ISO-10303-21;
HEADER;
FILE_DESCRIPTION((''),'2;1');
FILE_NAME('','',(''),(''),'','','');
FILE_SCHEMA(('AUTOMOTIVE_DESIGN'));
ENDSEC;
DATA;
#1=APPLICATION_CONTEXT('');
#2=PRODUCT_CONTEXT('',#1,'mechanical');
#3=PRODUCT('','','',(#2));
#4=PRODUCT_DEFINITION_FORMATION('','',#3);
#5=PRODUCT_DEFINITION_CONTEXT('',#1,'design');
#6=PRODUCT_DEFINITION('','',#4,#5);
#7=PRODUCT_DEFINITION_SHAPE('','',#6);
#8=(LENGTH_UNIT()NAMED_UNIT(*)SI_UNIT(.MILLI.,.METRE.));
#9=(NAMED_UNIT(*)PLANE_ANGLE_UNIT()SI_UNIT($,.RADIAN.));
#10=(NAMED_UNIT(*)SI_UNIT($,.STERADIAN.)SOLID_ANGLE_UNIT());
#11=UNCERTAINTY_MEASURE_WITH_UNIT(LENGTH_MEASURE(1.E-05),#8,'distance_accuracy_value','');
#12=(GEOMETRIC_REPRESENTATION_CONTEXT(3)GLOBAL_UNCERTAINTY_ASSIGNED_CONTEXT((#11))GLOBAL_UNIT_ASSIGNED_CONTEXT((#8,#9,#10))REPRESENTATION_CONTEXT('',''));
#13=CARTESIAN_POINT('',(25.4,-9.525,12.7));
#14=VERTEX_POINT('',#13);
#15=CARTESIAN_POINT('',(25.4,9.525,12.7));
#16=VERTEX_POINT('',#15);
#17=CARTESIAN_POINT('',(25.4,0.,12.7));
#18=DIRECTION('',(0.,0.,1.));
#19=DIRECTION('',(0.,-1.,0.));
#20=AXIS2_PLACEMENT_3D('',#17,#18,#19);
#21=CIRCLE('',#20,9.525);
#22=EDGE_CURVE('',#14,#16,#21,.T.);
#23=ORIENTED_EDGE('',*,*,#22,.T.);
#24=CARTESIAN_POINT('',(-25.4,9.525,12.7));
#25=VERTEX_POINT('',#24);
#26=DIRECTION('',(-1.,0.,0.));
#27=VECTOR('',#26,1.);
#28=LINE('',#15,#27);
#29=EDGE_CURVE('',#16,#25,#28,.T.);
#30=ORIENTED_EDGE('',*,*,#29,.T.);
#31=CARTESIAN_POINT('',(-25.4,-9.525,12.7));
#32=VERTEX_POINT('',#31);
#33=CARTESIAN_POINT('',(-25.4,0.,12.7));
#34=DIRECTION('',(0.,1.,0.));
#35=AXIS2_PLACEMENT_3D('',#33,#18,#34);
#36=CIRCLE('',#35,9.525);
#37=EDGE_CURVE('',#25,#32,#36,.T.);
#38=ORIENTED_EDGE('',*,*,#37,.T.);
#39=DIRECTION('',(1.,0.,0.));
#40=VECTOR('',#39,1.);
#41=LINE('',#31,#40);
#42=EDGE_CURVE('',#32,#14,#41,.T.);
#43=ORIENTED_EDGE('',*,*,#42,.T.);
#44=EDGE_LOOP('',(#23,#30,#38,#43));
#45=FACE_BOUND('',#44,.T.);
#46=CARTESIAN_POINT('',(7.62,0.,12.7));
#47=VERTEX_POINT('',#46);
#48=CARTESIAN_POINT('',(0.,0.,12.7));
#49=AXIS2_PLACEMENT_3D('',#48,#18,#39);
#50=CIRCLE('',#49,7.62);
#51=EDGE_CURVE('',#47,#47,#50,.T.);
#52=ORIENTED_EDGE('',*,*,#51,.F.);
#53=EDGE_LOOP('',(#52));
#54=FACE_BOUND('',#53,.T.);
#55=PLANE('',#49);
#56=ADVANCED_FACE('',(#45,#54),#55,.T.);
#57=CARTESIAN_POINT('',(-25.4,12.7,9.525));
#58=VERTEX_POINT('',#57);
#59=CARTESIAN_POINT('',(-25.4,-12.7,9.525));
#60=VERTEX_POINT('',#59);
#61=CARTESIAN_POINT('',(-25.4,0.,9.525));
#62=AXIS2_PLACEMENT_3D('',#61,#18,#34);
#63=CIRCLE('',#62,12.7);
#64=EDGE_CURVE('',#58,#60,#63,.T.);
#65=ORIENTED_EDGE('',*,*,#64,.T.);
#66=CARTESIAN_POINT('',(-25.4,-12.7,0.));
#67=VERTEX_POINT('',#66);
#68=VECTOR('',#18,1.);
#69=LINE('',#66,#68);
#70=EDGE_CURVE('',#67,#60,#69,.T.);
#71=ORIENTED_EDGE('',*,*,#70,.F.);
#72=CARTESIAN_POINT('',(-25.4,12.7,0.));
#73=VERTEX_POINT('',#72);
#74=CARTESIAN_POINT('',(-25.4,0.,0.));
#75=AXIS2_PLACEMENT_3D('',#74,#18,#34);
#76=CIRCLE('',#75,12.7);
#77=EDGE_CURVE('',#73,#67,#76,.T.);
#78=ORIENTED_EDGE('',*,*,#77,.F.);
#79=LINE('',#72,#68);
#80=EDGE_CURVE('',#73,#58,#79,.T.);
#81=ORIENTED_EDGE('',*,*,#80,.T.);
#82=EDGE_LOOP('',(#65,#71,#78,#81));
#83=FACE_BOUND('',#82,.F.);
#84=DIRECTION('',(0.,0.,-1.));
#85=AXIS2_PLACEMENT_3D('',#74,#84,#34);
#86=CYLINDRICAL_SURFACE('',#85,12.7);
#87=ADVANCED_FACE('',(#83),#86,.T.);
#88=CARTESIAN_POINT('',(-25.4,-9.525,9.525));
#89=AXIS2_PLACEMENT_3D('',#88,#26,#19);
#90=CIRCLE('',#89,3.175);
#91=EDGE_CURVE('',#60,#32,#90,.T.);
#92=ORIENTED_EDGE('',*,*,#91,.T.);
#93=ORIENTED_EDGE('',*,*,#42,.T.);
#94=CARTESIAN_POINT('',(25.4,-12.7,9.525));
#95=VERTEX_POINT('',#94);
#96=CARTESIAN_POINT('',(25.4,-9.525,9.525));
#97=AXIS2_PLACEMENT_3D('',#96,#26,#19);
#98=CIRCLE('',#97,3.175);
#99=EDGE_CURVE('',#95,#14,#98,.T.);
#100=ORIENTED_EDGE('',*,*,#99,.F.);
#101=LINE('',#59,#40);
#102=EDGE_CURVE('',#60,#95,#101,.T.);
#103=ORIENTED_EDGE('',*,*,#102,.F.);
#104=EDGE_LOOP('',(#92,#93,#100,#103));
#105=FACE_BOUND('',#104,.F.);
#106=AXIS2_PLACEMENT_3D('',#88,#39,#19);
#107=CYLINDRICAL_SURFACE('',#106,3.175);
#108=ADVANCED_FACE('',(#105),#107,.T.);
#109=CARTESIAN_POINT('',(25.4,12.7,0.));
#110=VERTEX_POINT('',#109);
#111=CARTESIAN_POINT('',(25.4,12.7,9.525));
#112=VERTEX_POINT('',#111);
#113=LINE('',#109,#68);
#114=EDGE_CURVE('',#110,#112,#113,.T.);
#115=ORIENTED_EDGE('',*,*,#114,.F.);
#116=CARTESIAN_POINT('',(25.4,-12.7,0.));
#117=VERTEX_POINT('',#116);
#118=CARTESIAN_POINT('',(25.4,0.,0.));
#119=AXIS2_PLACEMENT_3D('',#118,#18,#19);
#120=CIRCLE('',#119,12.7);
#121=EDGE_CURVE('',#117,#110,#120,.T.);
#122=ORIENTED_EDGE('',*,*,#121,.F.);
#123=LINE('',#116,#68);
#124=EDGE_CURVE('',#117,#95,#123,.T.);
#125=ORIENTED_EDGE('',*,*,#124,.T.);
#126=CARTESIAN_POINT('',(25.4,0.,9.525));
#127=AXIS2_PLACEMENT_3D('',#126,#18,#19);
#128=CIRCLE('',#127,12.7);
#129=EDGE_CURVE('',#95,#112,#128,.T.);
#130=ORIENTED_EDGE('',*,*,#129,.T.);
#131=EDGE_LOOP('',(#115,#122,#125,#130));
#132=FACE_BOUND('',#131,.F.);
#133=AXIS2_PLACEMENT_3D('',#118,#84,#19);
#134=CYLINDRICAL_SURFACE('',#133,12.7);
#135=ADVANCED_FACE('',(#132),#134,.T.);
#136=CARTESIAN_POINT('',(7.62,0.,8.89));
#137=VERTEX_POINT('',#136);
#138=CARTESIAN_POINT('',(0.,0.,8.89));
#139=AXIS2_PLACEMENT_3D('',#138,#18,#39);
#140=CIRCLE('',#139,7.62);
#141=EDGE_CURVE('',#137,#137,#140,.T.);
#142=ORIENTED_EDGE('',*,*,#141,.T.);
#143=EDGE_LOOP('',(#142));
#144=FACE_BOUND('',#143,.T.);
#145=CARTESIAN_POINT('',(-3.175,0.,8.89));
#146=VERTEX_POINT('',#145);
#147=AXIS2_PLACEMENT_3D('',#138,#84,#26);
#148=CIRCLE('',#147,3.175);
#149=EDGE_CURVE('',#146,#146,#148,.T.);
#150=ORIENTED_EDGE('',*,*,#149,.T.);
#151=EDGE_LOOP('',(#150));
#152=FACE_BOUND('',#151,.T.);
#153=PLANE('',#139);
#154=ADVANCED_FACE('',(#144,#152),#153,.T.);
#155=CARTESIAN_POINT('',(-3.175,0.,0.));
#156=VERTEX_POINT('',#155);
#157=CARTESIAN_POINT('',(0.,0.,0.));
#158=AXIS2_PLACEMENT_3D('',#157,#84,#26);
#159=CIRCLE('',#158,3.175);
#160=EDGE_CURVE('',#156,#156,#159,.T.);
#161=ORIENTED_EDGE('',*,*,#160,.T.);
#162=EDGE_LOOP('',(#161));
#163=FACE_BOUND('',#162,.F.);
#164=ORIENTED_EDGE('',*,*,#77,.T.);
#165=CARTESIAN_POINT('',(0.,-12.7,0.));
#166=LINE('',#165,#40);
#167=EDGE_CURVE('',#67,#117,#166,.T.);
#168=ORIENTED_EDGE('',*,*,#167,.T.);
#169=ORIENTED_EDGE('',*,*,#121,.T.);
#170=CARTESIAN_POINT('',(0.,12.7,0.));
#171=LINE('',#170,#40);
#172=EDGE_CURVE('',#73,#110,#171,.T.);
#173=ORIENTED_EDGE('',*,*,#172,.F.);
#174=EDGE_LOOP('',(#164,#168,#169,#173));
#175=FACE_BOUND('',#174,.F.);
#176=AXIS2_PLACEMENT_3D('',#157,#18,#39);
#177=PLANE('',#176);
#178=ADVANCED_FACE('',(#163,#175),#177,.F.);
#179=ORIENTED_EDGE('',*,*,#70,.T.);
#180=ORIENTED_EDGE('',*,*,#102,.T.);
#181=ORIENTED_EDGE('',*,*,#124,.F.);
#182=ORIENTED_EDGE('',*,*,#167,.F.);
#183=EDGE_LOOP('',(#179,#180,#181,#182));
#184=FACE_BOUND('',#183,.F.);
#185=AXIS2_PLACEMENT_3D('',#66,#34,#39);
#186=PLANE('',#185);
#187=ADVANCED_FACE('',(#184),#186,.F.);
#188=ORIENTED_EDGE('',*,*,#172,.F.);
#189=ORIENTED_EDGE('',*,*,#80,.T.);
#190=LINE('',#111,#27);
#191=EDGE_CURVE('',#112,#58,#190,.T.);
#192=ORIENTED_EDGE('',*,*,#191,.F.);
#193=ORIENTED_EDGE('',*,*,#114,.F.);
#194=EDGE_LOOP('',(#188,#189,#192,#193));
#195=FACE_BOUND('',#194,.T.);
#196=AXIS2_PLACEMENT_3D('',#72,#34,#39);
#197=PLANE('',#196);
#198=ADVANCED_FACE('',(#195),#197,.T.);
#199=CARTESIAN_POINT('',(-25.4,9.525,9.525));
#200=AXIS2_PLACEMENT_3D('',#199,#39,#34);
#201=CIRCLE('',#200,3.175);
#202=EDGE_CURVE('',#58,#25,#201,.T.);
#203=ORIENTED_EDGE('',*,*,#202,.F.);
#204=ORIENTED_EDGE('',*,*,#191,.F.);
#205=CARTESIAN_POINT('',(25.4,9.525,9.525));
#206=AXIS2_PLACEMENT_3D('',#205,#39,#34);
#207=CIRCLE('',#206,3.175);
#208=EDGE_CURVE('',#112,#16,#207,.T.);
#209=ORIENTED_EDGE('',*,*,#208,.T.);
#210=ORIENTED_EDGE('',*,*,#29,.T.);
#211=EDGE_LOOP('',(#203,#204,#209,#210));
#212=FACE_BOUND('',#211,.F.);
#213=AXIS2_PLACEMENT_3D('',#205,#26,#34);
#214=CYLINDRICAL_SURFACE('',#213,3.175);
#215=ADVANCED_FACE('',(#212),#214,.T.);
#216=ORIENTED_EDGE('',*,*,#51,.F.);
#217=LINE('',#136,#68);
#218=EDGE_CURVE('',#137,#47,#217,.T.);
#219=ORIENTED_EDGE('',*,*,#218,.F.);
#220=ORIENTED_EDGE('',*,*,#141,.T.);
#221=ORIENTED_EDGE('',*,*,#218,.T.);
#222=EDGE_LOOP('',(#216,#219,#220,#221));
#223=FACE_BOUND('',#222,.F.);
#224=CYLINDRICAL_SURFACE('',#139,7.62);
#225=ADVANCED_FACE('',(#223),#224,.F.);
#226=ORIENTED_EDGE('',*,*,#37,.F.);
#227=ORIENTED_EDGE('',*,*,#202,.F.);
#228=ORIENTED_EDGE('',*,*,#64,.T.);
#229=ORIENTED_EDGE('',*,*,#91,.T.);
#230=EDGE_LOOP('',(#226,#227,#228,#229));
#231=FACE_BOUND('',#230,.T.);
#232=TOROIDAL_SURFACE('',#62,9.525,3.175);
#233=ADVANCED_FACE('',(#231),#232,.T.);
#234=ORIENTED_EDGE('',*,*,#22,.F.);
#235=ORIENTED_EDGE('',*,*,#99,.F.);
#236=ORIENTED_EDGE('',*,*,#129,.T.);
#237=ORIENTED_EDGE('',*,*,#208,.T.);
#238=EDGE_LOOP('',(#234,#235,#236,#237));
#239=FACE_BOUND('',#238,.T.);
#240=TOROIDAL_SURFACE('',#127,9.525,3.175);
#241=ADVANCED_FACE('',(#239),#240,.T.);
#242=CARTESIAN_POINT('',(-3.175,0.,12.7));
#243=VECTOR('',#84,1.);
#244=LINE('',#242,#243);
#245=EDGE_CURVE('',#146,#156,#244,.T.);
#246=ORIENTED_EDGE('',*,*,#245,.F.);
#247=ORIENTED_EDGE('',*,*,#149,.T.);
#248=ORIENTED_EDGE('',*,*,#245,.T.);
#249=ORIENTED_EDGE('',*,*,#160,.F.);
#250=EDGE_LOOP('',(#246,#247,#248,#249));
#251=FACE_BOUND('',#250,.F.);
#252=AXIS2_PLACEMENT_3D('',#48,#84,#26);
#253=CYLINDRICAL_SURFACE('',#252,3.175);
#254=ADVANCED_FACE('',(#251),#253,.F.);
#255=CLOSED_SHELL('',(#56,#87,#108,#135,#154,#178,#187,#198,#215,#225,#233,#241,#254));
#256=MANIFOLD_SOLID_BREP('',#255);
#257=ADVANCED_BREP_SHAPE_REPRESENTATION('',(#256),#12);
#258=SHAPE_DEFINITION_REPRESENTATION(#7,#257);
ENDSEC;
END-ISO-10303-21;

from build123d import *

# Parameters (mm, degrees)
F0_W           = 50.8
F0_H           = 25.4
F1_DEPTH       = 12.7
F3_D           = 6.35
F3_CBORE_D     = 15.24
F3_CBORE_DEPTH = 3.81
F4_R           = 3.175


with BuildPart() as f1:
    # F0 (on Top) → F1 (new body)
    with BuildSketch(Plane.XY):
        Rectangle(F0_W, F0_H)
        with BuildLine():
            Line((-25.4, -12.7), (-25.4, 12.7))
            ThreePointArc((-25.4, 12.7), (-38.1, 0), (-25.4, -12.7))
        make_face()
        with BuildLine():
            ThreePointArc((25.4, -12.7), (38.1, 0), (25.4, 12.7))
            Line((25.4, 12.7), (25.4, -12.7))
        make_face()
    extrude(amount=F1_DEPTH)

    # F3 (through all)
    with Locations(Plane.XY.offset(12.7)):
        with Locations((0, 0)):
            CounterBoreHole(F3_D / 2, F3_CBORE_D / 2, F3_CBORE_DEPTH)

    # F4
    f4_edges = [f1.edges().sort_by_distance(p)[0] for p in [
        (-38.1, 0, 12.7),
    ]]
    fillet(f4_edges, radius=F4_R)


solid = f1.part
